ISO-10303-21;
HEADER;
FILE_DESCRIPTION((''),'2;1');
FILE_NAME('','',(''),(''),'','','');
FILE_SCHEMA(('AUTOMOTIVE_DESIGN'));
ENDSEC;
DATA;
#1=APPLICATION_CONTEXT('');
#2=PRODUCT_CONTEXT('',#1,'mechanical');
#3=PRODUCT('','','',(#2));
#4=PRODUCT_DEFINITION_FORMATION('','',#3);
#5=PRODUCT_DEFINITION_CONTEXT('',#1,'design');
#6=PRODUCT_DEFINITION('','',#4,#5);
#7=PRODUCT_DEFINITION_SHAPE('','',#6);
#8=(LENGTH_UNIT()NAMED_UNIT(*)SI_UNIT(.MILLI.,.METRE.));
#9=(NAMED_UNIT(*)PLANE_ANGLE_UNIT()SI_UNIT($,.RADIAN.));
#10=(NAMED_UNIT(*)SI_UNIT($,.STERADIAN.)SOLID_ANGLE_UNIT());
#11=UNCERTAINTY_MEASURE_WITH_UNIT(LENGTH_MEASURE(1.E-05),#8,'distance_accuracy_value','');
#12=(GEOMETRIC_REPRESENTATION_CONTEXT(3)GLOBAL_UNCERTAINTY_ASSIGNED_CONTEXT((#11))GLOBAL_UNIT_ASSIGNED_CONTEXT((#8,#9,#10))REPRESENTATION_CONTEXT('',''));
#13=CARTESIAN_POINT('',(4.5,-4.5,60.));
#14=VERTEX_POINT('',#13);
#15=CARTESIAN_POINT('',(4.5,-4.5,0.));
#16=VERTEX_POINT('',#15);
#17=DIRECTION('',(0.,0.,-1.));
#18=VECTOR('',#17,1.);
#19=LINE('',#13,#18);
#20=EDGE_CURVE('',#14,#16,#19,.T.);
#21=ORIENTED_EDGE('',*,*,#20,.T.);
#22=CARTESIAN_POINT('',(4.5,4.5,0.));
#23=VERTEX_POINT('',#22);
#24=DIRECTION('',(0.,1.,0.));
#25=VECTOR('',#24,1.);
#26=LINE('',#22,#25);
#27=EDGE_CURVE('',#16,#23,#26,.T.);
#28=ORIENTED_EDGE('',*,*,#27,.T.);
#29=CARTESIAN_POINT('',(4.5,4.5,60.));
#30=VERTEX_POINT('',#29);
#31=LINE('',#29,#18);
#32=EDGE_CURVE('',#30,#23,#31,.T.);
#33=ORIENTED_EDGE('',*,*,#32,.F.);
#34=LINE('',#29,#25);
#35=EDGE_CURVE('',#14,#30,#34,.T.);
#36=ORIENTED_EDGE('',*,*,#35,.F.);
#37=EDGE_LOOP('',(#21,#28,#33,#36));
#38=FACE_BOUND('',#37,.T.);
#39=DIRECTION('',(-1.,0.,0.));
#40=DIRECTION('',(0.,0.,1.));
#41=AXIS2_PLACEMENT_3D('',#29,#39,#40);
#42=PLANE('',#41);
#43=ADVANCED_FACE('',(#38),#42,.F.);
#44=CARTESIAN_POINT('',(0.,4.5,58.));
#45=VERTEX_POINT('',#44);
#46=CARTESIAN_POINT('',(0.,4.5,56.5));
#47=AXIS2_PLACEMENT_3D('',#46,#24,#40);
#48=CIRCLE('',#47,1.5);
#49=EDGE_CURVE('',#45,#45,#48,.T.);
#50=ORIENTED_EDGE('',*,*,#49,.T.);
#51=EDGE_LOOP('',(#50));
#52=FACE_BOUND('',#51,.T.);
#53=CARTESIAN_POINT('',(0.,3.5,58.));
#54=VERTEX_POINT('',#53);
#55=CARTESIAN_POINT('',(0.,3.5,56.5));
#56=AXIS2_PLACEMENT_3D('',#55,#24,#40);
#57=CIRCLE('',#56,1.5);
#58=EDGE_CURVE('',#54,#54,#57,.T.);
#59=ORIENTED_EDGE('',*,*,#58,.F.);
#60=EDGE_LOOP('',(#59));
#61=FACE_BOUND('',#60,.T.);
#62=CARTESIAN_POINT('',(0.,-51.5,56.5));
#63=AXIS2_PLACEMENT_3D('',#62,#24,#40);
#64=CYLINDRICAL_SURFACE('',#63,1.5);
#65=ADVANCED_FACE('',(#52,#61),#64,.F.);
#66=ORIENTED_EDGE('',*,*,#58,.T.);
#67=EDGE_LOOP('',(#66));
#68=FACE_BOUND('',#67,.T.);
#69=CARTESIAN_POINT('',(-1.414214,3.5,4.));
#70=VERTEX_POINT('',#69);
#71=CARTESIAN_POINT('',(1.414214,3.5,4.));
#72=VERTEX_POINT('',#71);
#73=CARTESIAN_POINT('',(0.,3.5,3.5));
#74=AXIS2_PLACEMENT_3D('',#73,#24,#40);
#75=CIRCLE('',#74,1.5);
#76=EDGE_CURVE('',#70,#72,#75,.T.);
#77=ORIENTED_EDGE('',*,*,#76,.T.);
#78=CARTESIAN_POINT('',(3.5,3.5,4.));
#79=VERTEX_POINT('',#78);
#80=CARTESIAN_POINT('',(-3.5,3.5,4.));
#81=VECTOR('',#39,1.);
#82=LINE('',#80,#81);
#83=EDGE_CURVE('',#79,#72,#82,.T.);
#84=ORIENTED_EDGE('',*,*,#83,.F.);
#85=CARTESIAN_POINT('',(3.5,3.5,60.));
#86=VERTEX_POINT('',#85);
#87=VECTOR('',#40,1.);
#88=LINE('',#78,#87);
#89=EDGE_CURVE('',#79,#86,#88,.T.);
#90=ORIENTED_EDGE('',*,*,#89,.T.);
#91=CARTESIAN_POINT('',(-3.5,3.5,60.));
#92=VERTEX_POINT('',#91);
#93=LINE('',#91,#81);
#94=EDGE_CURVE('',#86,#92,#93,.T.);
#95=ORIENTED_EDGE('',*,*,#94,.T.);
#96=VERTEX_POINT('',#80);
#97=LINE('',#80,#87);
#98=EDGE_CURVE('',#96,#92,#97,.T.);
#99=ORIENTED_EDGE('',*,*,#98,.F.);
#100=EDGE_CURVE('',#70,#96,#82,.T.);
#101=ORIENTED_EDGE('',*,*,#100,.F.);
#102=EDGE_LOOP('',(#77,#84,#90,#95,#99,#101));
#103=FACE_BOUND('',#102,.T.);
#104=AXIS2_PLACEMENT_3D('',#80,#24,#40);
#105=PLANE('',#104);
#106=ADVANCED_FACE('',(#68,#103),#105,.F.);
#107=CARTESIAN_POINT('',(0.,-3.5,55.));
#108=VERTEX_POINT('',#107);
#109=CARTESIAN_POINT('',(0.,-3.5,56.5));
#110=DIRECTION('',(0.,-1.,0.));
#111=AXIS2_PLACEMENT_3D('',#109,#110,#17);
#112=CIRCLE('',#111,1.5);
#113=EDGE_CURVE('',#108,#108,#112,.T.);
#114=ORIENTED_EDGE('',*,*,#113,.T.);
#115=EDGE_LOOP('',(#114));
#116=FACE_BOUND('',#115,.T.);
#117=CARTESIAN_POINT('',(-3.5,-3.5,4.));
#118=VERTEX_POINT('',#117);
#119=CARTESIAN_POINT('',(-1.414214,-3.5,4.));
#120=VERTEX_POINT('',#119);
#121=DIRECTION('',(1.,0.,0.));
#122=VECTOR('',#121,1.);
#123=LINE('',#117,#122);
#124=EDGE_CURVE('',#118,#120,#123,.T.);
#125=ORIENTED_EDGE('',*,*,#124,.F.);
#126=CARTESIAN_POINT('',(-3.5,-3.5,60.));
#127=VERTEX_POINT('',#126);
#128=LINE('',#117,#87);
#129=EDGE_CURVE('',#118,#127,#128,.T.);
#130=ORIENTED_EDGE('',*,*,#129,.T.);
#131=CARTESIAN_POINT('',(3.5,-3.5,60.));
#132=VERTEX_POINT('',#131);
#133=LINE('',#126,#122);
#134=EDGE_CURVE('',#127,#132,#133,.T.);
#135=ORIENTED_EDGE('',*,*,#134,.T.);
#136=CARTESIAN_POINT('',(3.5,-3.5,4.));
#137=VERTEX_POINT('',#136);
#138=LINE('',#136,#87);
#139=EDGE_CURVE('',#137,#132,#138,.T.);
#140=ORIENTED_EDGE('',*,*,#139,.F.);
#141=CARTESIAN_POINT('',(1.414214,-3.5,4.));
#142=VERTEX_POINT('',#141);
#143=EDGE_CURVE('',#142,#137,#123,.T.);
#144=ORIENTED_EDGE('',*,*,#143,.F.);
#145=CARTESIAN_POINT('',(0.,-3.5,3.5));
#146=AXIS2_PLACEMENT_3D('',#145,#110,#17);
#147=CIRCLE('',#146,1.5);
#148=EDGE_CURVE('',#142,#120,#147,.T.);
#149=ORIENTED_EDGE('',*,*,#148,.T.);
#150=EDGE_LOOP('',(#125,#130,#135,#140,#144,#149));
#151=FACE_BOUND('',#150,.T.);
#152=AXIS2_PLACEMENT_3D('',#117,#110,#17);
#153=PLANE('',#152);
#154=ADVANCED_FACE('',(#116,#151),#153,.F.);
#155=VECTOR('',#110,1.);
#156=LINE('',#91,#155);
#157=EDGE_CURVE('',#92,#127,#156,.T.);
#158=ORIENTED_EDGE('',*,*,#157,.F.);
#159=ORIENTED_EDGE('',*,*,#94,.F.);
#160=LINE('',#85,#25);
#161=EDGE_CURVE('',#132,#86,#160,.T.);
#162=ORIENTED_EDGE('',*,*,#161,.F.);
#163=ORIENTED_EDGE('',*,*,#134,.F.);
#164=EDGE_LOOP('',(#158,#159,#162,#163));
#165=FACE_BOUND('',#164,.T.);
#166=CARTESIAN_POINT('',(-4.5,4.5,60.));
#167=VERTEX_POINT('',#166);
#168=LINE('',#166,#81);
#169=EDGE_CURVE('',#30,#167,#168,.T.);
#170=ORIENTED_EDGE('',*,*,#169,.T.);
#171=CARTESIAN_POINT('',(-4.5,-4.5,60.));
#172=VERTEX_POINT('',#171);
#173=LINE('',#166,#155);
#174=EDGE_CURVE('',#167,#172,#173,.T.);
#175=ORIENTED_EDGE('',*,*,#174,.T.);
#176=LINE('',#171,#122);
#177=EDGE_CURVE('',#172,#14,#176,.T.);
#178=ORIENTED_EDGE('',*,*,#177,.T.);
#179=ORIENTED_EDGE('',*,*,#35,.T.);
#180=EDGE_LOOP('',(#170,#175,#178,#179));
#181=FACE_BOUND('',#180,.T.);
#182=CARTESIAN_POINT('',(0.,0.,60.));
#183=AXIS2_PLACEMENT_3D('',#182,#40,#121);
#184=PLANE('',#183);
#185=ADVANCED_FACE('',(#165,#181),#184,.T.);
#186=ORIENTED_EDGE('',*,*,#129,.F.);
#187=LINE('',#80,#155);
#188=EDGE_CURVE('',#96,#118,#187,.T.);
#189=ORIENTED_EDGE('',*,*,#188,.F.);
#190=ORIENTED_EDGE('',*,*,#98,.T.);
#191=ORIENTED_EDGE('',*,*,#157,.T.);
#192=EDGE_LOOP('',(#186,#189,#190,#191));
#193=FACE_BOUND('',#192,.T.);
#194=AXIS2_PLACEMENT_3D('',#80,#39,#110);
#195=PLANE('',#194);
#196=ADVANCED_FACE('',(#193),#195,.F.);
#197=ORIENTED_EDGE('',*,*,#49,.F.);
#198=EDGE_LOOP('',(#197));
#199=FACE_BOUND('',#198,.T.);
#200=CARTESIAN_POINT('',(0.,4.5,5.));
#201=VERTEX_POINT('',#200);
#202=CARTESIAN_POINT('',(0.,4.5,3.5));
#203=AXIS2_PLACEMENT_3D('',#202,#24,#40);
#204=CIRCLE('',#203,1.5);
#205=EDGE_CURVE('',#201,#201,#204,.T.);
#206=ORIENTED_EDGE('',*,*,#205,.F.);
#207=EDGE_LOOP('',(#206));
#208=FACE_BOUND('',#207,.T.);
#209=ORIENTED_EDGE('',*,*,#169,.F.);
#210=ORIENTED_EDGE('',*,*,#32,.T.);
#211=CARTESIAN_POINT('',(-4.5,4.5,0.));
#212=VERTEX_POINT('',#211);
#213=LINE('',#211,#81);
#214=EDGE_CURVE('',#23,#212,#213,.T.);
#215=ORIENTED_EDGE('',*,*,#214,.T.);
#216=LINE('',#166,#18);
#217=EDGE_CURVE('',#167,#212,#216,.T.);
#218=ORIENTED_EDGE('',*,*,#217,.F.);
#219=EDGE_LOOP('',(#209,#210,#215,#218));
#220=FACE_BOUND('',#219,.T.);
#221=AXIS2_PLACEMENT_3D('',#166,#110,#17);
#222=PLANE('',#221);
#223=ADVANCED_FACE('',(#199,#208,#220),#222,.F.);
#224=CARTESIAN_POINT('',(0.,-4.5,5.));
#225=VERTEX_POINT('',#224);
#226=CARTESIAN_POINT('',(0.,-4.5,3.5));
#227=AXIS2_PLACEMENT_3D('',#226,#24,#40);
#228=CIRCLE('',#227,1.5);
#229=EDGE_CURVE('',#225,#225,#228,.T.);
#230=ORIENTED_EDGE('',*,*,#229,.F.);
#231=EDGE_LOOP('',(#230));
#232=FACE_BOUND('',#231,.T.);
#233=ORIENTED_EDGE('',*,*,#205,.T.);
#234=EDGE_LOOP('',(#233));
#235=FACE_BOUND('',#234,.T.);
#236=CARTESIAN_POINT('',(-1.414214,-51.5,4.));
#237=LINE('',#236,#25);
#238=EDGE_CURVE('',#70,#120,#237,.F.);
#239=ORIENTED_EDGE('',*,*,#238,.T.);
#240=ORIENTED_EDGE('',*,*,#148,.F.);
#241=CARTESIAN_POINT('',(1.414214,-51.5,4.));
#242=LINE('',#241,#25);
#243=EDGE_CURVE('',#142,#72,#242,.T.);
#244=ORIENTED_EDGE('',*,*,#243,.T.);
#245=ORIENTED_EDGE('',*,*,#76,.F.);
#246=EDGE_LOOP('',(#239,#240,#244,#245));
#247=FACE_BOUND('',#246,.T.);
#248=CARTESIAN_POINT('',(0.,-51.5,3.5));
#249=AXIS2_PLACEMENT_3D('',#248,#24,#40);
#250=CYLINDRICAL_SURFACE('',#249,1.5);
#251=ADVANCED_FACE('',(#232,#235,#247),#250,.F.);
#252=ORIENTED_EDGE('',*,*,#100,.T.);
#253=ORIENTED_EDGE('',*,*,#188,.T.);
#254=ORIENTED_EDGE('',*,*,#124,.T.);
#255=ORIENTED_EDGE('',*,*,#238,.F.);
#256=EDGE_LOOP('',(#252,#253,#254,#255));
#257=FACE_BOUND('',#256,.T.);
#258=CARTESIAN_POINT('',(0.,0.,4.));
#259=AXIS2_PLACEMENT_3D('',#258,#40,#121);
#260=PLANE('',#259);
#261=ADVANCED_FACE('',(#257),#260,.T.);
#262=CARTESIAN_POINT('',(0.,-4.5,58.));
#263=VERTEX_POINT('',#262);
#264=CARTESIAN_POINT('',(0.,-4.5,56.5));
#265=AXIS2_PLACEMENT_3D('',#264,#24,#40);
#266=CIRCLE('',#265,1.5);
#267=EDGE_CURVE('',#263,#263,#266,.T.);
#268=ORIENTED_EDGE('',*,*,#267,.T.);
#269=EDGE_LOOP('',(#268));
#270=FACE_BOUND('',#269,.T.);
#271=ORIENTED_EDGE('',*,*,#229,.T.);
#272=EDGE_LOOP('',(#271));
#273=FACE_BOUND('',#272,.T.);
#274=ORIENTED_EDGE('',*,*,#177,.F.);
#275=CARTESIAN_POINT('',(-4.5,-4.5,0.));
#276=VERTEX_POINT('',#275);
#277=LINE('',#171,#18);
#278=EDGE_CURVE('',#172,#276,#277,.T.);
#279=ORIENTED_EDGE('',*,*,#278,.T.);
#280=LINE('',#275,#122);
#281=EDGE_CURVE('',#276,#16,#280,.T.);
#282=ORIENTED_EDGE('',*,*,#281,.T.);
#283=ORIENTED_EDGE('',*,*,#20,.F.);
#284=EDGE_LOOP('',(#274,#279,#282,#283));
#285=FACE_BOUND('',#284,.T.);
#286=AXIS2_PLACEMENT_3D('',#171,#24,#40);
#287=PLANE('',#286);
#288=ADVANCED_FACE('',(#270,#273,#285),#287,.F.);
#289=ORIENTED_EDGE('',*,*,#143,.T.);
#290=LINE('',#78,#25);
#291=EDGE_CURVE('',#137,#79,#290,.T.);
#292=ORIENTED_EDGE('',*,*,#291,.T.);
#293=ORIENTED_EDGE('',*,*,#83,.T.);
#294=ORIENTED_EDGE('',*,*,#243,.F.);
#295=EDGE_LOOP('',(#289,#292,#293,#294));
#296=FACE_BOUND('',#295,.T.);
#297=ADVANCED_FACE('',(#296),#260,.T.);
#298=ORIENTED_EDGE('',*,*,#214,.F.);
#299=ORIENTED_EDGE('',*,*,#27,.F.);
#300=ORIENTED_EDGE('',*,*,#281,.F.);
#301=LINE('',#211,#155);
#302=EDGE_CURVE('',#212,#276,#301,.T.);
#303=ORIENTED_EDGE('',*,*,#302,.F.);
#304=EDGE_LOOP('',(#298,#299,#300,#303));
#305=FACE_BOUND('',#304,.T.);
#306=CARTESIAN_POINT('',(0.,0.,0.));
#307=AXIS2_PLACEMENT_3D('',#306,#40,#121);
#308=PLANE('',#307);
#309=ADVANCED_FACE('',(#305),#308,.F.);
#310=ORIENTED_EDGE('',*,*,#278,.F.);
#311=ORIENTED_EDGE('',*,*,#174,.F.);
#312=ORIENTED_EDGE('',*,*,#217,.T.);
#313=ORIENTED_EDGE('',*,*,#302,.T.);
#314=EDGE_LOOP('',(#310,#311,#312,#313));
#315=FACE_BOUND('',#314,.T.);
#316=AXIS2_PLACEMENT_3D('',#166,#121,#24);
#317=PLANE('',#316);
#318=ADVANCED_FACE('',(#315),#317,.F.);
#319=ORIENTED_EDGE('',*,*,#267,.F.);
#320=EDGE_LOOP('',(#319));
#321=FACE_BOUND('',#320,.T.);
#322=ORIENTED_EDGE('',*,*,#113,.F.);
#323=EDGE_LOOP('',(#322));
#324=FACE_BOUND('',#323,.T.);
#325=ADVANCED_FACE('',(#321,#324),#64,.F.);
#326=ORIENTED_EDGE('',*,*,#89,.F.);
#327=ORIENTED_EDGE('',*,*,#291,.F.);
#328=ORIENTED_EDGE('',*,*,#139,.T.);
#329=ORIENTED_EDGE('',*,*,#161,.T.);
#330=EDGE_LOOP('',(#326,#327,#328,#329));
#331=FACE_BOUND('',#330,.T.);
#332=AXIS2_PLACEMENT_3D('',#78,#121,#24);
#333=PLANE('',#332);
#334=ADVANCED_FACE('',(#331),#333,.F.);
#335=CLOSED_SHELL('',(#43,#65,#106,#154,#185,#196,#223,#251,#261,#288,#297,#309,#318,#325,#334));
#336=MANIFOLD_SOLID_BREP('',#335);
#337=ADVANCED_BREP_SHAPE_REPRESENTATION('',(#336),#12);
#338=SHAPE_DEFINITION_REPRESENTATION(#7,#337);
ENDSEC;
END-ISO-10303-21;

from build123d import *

# Parameters (mm, degrees)
SKETCH_1_W          = 9
SKETCH_1_H          = 9
EXTRUDE_1_DEPTH     = 60
SKETCH_2_W          = 7
SKETCH_2_H          = 7
CUT_EXTRUDE_1_DEPTH = 56
SKETCH_3_R          = 1.5
CUT_EXTRUDE_2_DEPTH = 56


with BuildPart() as part:
    # ｽｹｯﾁ1 → ﾎﾞｽ - 押し出し1 (new body)
    with BuildSketch(Plane.XY):
        Rectangle(SKETCH_1_W, SKETCH_1_H)
    extrude(amount=EXTRUDE_1_DEPTH)

    # ｽｹｯﾁ2 → ｶｯﾄ - 押し出し1 (cut)
    with BuildSketch(Plane.XY.offset(60)):
        Rectangle(SKETCH_2_W, SKETCH_2_H)
    extrude(amount=-CUT_EXTRUDE_1_DEPTH, mode=Mode.SUBTRACT)

    # ｽｹｯﾁ3 → ｶｯﾄ - 押し出し2 (cut)
    with BuildSketch(Plane(origin=(0, 4.5, 0), x_dir=(1, 0, 0), z_dir=(0, 1, 0))):
        with Locations((0, -3.5)):
            Circle(SKETCH_3_R)
        with Locations((0, -56.5)):
            Circle(SKETCH_3_R)
    extrude(amount=-CUT_EXTRUDE_2_DEPTH, mode=Mode.SUBTRACT)


solid = part.part
